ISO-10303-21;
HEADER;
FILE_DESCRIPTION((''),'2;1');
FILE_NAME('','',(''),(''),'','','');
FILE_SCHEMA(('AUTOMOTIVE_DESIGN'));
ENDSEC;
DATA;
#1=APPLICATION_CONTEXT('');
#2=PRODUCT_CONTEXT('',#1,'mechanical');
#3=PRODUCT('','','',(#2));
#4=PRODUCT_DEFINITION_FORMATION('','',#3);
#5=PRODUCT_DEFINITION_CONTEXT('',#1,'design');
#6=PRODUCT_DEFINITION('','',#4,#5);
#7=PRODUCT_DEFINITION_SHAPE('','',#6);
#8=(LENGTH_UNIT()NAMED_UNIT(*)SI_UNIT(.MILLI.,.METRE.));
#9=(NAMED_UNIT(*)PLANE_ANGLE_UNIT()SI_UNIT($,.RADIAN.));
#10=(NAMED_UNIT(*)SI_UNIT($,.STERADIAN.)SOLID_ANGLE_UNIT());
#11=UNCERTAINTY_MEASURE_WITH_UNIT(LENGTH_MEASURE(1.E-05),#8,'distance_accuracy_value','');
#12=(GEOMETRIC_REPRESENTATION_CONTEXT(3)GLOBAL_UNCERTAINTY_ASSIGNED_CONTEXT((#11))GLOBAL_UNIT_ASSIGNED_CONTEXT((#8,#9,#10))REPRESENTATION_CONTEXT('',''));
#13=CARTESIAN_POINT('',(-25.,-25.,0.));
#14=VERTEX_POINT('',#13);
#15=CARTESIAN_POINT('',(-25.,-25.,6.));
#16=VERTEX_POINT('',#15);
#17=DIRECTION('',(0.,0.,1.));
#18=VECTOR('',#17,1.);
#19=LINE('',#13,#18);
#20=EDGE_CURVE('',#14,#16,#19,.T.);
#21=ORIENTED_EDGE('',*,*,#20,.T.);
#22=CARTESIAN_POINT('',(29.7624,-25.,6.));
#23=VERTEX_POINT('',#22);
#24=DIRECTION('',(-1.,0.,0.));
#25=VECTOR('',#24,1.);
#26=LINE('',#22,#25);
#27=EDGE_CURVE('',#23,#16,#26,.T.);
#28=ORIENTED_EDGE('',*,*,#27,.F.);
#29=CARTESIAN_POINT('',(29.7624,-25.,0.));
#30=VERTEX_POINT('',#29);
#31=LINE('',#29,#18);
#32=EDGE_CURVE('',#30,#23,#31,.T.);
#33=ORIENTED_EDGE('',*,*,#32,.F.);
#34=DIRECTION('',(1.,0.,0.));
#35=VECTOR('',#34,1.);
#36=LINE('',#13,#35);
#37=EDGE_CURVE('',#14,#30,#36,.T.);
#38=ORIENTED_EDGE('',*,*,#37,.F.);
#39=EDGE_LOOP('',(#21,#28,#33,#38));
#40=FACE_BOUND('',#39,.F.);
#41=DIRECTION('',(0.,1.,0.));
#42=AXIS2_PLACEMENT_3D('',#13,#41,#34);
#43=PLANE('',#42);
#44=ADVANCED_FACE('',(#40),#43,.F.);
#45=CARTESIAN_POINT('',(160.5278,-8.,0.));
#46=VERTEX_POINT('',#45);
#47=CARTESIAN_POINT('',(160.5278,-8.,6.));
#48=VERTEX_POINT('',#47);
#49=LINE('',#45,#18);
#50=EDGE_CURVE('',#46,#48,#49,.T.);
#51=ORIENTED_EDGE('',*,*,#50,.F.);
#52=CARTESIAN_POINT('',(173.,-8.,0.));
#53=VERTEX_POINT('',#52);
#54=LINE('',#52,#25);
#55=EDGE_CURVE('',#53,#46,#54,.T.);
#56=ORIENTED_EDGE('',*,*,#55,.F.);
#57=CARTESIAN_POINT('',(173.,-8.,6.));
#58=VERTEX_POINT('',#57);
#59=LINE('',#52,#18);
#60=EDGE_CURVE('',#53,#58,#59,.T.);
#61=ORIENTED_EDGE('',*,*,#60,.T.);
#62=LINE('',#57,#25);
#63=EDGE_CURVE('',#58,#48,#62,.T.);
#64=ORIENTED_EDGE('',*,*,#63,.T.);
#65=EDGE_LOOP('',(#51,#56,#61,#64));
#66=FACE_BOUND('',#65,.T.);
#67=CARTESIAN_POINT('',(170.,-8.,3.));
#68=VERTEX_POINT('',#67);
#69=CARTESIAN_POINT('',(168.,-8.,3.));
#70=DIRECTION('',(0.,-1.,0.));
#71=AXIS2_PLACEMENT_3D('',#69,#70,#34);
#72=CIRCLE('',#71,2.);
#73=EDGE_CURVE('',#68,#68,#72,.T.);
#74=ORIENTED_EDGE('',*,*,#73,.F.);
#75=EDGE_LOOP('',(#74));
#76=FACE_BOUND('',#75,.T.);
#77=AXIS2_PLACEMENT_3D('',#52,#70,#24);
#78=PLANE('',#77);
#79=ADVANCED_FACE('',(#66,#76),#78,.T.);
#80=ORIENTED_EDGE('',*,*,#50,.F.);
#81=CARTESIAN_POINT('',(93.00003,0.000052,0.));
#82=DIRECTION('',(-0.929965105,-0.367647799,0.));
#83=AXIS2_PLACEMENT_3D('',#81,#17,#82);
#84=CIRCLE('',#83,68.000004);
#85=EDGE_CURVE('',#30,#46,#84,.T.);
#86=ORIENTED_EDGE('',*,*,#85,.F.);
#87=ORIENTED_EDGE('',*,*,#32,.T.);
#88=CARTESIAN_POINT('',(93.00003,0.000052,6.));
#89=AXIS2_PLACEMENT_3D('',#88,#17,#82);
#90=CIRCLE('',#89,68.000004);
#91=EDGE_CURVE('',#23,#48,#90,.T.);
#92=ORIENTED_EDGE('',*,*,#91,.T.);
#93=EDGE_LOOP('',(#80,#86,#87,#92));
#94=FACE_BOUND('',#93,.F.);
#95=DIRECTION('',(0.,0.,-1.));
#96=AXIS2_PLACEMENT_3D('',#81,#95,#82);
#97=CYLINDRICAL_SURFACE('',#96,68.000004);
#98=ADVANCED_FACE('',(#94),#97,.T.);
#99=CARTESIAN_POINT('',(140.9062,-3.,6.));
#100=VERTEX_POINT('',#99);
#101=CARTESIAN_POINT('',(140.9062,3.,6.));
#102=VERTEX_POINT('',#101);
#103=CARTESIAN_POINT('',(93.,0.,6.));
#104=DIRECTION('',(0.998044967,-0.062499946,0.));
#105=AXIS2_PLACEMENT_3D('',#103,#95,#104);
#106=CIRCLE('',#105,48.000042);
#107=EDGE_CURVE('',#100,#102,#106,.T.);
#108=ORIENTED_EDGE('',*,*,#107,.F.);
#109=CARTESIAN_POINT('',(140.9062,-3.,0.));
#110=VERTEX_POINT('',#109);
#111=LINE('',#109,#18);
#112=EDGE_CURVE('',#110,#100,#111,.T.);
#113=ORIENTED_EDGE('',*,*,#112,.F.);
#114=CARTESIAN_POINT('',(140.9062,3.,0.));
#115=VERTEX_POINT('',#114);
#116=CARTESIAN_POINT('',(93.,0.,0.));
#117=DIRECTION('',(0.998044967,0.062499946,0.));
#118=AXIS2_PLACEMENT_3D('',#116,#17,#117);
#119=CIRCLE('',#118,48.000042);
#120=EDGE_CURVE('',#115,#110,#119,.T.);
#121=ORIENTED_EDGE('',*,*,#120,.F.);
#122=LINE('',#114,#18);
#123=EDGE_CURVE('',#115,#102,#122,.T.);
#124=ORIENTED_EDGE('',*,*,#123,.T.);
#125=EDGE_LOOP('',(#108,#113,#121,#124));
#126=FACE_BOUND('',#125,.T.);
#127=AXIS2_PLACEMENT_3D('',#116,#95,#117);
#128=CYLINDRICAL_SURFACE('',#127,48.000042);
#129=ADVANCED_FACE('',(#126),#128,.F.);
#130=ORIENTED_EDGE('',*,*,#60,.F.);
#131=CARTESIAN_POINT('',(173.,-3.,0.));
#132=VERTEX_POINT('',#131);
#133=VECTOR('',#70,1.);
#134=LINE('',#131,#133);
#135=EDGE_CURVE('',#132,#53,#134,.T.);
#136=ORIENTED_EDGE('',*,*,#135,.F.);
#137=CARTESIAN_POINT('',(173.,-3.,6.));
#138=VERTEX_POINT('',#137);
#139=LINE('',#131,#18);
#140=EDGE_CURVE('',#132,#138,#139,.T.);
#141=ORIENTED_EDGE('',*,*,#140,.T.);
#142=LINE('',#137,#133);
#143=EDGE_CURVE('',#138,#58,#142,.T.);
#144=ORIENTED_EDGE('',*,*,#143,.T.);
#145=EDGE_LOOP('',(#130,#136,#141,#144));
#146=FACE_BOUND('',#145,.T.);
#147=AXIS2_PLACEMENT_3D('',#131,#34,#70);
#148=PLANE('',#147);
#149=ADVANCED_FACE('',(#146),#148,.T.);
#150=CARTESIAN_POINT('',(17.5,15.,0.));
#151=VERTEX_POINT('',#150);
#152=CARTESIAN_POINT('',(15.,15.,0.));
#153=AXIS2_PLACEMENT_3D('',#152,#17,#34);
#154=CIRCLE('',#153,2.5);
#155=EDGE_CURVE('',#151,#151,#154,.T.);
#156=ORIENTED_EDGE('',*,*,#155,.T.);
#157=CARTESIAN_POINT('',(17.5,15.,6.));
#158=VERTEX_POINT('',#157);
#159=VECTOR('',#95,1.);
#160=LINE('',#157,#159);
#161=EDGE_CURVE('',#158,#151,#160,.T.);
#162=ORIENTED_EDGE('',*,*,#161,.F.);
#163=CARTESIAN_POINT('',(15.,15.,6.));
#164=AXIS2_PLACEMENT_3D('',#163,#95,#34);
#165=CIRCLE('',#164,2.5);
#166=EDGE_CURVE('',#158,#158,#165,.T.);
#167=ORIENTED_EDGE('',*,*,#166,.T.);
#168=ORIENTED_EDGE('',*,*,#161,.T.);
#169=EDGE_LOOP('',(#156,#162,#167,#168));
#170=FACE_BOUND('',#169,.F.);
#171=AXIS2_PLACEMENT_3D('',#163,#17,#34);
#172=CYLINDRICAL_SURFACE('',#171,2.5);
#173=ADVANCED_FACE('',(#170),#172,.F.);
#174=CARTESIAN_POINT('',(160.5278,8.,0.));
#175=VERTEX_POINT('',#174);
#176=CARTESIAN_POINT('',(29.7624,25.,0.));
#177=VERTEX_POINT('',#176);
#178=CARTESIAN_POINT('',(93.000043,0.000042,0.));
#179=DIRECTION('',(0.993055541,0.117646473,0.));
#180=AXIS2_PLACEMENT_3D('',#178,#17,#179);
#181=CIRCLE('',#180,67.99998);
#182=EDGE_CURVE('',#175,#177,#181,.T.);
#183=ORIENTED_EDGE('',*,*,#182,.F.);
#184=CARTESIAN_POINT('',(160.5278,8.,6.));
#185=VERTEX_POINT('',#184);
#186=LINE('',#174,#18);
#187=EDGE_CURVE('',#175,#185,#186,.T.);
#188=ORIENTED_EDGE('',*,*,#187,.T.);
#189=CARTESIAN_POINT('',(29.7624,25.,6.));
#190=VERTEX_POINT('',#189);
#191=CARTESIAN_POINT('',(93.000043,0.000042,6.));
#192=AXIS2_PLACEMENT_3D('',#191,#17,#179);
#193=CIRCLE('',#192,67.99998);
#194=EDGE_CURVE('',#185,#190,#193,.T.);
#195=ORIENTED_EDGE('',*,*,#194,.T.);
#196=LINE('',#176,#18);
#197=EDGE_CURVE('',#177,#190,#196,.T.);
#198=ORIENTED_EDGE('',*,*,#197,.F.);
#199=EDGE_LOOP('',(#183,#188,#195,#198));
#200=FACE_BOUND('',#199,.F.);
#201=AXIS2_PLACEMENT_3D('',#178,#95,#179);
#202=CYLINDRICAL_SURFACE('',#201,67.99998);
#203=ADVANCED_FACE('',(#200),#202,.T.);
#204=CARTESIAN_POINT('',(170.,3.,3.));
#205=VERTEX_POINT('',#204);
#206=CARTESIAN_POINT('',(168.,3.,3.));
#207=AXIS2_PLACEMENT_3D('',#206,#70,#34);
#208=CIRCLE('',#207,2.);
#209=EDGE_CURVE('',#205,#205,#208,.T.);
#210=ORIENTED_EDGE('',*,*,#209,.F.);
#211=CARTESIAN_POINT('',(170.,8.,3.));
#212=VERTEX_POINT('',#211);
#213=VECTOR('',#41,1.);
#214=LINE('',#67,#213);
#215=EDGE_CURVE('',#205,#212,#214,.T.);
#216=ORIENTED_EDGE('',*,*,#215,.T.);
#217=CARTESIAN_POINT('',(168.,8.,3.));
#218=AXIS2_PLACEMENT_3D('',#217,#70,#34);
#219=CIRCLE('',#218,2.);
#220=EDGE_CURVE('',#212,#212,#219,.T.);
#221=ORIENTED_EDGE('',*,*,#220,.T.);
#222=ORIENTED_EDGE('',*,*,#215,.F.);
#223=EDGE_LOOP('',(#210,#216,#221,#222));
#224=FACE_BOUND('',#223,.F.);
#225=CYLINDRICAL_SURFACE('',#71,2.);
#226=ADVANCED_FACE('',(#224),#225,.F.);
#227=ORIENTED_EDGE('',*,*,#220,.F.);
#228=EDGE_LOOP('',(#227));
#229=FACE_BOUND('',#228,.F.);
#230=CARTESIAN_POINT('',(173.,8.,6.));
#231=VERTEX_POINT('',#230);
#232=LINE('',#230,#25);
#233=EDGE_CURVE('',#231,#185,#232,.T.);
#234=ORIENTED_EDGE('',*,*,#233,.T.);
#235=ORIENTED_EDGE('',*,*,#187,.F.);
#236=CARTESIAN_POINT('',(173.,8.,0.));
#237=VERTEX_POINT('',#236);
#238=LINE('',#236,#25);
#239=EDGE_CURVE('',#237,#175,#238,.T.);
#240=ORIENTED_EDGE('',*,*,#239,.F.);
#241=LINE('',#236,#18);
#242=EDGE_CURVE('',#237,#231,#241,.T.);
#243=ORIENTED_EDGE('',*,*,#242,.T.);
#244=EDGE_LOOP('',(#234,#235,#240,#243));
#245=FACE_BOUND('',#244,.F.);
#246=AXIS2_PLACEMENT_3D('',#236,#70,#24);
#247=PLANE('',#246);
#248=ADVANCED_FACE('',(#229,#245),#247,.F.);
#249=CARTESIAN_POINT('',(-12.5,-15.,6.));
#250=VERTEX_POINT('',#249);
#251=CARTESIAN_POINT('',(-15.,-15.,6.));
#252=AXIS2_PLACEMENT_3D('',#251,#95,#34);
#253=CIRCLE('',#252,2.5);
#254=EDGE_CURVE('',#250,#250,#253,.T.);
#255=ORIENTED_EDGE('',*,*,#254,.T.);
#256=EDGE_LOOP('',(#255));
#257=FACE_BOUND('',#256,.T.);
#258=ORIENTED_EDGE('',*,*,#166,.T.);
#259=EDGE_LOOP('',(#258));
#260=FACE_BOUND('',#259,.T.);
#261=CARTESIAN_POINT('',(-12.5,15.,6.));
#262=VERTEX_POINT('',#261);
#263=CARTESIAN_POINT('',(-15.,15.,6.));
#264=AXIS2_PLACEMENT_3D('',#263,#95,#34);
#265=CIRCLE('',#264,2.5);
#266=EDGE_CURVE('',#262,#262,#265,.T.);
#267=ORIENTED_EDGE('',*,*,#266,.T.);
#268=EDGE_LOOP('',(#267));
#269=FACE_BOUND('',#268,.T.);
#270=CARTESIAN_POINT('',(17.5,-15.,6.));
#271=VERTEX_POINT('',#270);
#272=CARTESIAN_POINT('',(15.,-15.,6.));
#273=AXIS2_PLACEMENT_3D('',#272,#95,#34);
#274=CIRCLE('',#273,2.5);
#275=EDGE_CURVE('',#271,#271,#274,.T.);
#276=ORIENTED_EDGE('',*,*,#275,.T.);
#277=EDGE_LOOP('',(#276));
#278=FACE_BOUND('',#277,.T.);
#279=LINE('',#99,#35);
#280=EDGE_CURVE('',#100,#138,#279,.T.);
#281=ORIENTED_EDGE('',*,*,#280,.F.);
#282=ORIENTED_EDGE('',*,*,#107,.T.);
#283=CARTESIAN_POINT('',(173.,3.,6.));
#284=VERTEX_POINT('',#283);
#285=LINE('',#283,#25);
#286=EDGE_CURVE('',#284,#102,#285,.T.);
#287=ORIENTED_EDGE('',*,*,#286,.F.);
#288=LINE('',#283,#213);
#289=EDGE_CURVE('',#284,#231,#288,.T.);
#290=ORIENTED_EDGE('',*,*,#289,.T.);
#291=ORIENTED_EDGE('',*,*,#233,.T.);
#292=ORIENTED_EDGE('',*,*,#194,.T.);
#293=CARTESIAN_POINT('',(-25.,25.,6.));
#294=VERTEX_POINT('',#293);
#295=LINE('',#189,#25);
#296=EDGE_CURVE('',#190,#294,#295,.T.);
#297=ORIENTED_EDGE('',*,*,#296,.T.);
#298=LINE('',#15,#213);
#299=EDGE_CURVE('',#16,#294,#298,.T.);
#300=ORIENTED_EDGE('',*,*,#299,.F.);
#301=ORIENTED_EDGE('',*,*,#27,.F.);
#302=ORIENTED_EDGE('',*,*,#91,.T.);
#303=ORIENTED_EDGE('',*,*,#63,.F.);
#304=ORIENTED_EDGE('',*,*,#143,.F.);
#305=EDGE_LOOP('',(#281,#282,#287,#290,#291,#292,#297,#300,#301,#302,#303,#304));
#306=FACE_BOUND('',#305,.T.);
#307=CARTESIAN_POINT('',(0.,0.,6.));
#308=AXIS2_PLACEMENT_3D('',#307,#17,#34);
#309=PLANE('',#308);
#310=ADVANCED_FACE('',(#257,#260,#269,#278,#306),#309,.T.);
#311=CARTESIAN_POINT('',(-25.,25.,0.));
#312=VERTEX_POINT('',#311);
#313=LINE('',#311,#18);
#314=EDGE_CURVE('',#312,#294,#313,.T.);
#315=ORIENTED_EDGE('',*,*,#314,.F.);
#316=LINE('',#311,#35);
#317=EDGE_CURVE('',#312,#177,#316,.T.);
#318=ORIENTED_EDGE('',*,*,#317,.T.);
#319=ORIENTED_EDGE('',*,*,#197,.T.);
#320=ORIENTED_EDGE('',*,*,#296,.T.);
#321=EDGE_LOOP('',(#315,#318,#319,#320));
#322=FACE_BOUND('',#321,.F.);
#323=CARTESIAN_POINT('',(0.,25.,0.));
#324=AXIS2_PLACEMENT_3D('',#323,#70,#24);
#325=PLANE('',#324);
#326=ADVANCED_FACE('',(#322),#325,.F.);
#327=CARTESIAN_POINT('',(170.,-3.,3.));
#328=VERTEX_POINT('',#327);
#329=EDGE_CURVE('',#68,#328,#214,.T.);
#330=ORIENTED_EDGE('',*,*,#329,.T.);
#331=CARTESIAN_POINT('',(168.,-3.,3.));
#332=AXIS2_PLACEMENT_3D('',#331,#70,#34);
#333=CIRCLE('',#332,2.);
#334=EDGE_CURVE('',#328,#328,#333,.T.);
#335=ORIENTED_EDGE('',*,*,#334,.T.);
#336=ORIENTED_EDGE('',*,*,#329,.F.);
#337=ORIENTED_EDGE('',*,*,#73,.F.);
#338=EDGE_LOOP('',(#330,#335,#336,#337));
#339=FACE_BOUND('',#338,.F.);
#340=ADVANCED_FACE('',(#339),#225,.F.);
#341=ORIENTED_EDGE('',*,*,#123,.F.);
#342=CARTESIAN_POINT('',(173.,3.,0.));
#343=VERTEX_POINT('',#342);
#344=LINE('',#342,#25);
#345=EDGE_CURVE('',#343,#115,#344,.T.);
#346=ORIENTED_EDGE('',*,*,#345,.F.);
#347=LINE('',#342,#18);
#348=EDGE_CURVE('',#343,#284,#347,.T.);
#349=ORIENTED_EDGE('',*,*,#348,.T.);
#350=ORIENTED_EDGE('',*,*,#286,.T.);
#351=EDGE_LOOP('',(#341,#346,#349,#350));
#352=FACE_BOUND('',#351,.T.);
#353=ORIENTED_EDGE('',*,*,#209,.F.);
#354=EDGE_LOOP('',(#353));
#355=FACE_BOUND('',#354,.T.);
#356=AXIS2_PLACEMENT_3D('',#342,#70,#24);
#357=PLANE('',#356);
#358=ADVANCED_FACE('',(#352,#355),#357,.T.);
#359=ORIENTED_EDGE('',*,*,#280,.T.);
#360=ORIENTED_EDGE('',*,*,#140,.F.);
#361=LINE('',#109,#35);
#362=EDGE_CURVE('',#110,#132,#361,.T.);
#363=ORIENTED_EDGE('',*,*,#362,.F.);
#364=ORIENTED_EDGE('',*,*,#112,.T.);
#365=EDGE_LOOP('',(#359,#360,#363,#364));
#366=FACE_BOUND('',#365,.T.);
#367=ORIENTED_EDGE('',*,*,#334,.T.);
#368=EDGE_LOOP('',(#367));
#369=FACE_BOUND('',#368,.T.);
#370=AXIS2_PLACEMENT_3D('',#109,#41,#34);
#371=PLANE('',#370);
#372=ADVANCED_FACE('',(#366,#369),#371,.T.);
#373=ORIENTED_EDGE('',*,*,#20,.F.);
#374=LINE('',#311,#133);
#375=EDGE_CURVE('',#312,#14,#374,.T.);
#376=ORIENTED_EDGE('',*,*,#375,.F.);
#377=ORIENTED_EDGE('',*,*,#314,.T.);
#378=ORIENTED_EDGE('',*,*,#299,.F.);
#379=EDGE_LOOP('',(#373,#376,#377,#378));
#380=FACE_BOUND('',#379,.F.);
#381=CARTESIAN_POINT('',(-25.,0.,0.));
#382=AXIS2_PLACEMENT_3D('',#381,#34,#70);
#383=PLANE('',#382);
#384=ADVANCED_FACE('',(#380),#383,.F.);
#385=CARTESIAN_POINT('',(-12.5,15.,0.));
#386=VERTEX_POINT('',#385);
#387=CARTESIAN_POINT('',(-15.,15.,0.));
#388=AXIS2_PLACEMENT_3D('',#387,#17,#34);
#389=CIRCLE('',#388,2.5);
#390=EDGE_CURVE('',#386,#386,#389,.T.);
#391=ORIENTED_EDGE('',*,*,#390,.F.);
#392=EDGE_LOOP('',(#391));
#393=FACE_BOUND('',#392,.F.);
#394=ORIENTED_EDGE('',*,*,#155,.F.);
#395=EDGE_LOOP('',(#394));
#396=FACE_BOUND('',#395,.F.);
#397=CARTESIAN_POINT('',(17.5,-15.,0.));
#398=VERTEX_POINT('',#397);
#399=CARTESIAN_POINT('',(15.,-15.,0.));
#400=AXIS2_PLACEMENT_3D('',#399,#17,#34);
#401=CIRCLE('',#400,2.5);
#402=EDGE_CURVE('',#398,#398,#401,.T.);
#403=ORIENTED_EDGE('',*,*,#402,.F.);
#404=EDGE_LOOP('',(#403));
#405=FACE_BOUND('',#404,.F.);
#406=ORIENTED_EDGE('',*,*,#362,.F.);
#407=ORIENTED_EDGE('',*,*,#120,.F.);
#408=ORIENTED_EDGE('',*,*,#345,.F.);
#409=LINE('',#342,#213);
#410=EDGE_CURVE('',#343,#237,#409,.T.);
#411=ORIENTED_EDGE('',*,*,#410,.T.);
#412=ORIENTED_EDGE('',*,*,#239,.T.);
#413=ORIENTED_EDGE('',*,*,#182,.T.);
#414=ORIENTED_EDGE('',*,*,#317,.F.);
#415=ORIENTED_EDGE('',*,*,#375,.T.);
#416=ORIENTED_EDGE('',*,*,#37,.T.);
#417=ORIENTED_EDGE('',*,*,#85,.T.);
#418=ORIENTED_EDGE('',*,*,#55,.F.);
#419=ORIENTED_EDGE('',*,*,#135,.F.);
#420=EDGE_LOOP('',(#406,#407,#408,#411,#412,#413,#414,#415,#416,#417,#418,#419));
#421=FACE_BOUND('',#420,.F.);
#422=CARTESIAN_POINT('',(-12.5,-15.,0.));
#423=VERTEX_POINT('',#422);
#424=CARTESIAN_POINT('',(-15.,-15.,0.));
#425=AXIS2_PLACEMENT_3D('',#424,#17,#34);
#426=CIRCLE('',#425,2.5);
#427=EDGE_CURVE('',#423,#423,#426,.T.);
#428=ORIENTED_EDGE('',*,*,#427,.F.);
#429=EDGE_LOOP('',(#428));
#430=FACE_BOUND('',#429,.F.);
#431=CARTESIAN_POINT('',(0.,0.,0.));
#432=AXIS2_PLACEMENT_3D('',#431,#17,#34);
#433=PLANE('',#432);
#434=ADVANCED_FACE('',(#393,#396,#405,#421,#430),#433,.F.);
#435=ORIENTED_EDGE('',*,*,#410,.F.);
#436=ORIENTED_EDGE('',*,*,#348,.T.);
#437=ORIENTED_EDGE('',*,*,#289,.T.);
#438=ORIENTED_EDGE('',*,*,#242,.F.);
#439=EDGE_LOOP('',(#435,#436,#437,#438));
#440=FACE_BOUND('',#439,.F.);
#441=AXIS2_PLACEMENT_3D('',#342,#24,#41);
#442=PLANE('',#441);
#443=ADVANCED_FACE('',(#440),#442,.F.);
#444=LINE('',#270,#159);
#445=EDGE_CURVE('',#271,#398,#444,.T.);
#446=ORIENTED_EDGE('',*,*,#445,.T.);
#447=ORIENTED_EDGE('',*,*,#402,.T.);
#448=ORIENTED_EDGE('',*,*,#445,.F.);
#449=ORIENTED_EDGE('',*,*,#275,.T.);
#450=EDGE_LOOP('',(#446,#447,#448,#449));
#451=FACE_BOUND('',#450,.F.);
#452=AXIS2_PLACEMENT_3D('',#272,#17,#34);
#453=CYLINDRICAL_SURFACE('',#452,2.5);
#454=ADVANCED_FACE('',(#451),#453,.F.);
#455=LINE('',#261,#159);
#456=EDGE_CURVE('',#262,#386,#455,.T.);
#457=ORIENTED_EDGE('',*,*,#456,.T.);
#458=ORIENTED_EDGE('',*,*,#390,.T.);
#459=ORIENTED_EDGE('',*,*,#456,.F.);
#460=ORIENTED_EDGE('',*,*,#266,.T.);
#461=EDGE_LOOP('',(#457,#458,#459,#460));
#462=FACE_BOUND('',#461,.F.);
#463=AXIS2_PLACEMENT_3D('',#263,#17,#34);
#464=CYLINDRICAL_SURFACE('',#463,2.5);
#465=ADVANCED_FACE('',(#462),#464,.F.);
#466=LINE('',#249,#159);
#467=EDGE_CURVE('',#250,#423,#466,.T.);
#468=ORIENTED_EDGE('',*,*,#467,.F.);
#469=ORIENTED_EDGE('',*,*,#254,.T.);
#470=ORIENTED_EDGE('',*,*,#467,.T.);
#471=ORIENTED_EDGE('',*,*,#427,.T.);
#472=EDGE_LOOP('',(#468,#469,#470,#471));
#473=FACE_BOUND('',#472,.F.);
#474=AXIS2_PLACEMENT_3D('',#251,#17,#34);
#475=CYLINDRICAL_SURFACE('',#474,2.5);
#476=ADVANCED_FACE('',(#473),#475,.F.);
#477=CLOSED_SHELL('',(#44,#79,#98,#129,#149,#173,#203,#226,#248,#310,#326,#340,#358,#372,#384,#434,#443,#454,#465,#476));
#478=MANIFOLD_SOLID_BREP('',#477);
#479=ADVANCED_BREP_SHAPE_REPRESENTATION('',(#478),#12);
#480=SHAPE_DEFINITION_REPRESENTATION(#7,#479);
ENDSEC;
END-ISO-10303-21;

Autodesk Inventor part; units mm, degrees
ref_plane "YZ Plane" through (0, 0, 0) normal (1, 0, 0) x (0, 1, 0)
ref_plane "XZ Plane" through (0, 0, 0) normal (0, 1, 0) x (-1, 0, 0)
ref_plane "XY Plane" through (0, 0, 0) normal (0, 0, 1) x (1, 0, 0)
sketch "スケッチ2" plane through (0, 0, 0) normal (0, 0, 1) x (1, 0, 0)
  line L0 (0, -106.3056) -> (0, 106.3056) projected
  line L1 (-64.6, 0) -> (212.6, 0) projected
  arc A0 (140.9062, 3) -> (140.9062, -3) centre (93, 0) ccw
  line L2 (-25, -25) -> (25, -25)
  line L3 (25, 25) -> (-25, 25)
  line L4 (-25, -25) -> (25, 25) construction
  line L5 (25, -25) -> (-25, 25) construction
  line L6 (25, 25) -> (29.7624, 25)
  line L7 (25, -25) -> (29.7624, -25)
  line L8 (140.9062, -3) -> (173, -3)
  line L9 (173, 3) -> (140.9062, 3)
  line L10 (145.3369, -0.7898) -> (173, 3) construction
  line L11 (173, -3) -> (145.3176, 0.7925) construction
  arc A1 (29.7624, -25) -> (160.5278, -8) centre (93, 0) ccw
  arc A2 (160.5278, 8) -> (29.7624, 25) centre (93, 0) ccw
  line L12 (173, 3) -> (173, 8)
  line L13 (173, 8) -> (160.5278, 8)
  line L14 (173, -3) -> (173, -8)
  line L15 (173, -8) -> (160.5278, -8)
  line L16 (-25, 25) -> (-25, -25)
  point P0 (0, 0)
  point P1 (151.102, 0)
  dimension "d1" = 96
  dimension "d2" = 50
  dimension "d7" = 5
  dimension "d8" = 3
  dimension "d9" = 5
  dimension "d10" = 80
  dimension "d12" = 20
  dimension "d13" = 93
  dimension "d15" = 20
  dimension "d16" = 50
  dimension "d17" = 3
  dimension "d18" = 50
extrude "押し出し1" add sketch "スケッチ2" along normal blind 6
sketch "スケッチ3" plane through (0, 0, 6) normal (0, 0, 1) x (1, 0, 0)
  line L0 (15, -15) -> (-15, -15)
  line L1 (-15, -15) -> (-15, 15)
  line L2 (-15, 15) -> (15, 15)
  line L3 (15, 15) -> (15, -15)
  line L4 (15, -15) -> (-15, 15) construction
  line L5 (-15, -15) -> (15, 15) construction
  circle A0 centre (-15, -15) radius 2.5
  circle A1 centre (-15, 15) radius 2.5
  line L6 (-15, 15) -> (-15, 45)
  circle A2 centre (15, -15) radius 2.5
  circle A3 centre (15, 15) radius 2.5
  point P0 (0, 0)
  dimension "d21" = 30
  dimension "d22" = 30
  dimension "d23" = 5
  dimension "d26" = 30
  dimension "d33" = 30
extrude "押し出し2" cut sketch "スケッチ3" against normal blind 6 contours A0 L1 L0 | L0 L1 A0 | A2 L3 L0 | L0 L3 A2 | A1 L6 L1 | L1 L2 A1 | A3 L2 L3 | L3 L2 A3 | L6 A1 L2
sketch "スケッチ4" plane through (160.5278, -8, 0) normal (0, -1, 0) x (1, 0, 0)
  circle A0 centre (7.4722, 3) radius 2
  line L0 (0, 0) -> (12.4722, 0) projected
  line L1 (12.4722, 0) -> (12.4722, 6) projected
  point P0 (-160.5278, 0)
  dimension "d40" = 3
  dimension "d41" = 4
  dimension "d42" = 5
extrude "押し出し3" cut sketch "スケッチ4" against normal through all
properties part number "motor_hold_sample" material "アルミニウム 6061"
